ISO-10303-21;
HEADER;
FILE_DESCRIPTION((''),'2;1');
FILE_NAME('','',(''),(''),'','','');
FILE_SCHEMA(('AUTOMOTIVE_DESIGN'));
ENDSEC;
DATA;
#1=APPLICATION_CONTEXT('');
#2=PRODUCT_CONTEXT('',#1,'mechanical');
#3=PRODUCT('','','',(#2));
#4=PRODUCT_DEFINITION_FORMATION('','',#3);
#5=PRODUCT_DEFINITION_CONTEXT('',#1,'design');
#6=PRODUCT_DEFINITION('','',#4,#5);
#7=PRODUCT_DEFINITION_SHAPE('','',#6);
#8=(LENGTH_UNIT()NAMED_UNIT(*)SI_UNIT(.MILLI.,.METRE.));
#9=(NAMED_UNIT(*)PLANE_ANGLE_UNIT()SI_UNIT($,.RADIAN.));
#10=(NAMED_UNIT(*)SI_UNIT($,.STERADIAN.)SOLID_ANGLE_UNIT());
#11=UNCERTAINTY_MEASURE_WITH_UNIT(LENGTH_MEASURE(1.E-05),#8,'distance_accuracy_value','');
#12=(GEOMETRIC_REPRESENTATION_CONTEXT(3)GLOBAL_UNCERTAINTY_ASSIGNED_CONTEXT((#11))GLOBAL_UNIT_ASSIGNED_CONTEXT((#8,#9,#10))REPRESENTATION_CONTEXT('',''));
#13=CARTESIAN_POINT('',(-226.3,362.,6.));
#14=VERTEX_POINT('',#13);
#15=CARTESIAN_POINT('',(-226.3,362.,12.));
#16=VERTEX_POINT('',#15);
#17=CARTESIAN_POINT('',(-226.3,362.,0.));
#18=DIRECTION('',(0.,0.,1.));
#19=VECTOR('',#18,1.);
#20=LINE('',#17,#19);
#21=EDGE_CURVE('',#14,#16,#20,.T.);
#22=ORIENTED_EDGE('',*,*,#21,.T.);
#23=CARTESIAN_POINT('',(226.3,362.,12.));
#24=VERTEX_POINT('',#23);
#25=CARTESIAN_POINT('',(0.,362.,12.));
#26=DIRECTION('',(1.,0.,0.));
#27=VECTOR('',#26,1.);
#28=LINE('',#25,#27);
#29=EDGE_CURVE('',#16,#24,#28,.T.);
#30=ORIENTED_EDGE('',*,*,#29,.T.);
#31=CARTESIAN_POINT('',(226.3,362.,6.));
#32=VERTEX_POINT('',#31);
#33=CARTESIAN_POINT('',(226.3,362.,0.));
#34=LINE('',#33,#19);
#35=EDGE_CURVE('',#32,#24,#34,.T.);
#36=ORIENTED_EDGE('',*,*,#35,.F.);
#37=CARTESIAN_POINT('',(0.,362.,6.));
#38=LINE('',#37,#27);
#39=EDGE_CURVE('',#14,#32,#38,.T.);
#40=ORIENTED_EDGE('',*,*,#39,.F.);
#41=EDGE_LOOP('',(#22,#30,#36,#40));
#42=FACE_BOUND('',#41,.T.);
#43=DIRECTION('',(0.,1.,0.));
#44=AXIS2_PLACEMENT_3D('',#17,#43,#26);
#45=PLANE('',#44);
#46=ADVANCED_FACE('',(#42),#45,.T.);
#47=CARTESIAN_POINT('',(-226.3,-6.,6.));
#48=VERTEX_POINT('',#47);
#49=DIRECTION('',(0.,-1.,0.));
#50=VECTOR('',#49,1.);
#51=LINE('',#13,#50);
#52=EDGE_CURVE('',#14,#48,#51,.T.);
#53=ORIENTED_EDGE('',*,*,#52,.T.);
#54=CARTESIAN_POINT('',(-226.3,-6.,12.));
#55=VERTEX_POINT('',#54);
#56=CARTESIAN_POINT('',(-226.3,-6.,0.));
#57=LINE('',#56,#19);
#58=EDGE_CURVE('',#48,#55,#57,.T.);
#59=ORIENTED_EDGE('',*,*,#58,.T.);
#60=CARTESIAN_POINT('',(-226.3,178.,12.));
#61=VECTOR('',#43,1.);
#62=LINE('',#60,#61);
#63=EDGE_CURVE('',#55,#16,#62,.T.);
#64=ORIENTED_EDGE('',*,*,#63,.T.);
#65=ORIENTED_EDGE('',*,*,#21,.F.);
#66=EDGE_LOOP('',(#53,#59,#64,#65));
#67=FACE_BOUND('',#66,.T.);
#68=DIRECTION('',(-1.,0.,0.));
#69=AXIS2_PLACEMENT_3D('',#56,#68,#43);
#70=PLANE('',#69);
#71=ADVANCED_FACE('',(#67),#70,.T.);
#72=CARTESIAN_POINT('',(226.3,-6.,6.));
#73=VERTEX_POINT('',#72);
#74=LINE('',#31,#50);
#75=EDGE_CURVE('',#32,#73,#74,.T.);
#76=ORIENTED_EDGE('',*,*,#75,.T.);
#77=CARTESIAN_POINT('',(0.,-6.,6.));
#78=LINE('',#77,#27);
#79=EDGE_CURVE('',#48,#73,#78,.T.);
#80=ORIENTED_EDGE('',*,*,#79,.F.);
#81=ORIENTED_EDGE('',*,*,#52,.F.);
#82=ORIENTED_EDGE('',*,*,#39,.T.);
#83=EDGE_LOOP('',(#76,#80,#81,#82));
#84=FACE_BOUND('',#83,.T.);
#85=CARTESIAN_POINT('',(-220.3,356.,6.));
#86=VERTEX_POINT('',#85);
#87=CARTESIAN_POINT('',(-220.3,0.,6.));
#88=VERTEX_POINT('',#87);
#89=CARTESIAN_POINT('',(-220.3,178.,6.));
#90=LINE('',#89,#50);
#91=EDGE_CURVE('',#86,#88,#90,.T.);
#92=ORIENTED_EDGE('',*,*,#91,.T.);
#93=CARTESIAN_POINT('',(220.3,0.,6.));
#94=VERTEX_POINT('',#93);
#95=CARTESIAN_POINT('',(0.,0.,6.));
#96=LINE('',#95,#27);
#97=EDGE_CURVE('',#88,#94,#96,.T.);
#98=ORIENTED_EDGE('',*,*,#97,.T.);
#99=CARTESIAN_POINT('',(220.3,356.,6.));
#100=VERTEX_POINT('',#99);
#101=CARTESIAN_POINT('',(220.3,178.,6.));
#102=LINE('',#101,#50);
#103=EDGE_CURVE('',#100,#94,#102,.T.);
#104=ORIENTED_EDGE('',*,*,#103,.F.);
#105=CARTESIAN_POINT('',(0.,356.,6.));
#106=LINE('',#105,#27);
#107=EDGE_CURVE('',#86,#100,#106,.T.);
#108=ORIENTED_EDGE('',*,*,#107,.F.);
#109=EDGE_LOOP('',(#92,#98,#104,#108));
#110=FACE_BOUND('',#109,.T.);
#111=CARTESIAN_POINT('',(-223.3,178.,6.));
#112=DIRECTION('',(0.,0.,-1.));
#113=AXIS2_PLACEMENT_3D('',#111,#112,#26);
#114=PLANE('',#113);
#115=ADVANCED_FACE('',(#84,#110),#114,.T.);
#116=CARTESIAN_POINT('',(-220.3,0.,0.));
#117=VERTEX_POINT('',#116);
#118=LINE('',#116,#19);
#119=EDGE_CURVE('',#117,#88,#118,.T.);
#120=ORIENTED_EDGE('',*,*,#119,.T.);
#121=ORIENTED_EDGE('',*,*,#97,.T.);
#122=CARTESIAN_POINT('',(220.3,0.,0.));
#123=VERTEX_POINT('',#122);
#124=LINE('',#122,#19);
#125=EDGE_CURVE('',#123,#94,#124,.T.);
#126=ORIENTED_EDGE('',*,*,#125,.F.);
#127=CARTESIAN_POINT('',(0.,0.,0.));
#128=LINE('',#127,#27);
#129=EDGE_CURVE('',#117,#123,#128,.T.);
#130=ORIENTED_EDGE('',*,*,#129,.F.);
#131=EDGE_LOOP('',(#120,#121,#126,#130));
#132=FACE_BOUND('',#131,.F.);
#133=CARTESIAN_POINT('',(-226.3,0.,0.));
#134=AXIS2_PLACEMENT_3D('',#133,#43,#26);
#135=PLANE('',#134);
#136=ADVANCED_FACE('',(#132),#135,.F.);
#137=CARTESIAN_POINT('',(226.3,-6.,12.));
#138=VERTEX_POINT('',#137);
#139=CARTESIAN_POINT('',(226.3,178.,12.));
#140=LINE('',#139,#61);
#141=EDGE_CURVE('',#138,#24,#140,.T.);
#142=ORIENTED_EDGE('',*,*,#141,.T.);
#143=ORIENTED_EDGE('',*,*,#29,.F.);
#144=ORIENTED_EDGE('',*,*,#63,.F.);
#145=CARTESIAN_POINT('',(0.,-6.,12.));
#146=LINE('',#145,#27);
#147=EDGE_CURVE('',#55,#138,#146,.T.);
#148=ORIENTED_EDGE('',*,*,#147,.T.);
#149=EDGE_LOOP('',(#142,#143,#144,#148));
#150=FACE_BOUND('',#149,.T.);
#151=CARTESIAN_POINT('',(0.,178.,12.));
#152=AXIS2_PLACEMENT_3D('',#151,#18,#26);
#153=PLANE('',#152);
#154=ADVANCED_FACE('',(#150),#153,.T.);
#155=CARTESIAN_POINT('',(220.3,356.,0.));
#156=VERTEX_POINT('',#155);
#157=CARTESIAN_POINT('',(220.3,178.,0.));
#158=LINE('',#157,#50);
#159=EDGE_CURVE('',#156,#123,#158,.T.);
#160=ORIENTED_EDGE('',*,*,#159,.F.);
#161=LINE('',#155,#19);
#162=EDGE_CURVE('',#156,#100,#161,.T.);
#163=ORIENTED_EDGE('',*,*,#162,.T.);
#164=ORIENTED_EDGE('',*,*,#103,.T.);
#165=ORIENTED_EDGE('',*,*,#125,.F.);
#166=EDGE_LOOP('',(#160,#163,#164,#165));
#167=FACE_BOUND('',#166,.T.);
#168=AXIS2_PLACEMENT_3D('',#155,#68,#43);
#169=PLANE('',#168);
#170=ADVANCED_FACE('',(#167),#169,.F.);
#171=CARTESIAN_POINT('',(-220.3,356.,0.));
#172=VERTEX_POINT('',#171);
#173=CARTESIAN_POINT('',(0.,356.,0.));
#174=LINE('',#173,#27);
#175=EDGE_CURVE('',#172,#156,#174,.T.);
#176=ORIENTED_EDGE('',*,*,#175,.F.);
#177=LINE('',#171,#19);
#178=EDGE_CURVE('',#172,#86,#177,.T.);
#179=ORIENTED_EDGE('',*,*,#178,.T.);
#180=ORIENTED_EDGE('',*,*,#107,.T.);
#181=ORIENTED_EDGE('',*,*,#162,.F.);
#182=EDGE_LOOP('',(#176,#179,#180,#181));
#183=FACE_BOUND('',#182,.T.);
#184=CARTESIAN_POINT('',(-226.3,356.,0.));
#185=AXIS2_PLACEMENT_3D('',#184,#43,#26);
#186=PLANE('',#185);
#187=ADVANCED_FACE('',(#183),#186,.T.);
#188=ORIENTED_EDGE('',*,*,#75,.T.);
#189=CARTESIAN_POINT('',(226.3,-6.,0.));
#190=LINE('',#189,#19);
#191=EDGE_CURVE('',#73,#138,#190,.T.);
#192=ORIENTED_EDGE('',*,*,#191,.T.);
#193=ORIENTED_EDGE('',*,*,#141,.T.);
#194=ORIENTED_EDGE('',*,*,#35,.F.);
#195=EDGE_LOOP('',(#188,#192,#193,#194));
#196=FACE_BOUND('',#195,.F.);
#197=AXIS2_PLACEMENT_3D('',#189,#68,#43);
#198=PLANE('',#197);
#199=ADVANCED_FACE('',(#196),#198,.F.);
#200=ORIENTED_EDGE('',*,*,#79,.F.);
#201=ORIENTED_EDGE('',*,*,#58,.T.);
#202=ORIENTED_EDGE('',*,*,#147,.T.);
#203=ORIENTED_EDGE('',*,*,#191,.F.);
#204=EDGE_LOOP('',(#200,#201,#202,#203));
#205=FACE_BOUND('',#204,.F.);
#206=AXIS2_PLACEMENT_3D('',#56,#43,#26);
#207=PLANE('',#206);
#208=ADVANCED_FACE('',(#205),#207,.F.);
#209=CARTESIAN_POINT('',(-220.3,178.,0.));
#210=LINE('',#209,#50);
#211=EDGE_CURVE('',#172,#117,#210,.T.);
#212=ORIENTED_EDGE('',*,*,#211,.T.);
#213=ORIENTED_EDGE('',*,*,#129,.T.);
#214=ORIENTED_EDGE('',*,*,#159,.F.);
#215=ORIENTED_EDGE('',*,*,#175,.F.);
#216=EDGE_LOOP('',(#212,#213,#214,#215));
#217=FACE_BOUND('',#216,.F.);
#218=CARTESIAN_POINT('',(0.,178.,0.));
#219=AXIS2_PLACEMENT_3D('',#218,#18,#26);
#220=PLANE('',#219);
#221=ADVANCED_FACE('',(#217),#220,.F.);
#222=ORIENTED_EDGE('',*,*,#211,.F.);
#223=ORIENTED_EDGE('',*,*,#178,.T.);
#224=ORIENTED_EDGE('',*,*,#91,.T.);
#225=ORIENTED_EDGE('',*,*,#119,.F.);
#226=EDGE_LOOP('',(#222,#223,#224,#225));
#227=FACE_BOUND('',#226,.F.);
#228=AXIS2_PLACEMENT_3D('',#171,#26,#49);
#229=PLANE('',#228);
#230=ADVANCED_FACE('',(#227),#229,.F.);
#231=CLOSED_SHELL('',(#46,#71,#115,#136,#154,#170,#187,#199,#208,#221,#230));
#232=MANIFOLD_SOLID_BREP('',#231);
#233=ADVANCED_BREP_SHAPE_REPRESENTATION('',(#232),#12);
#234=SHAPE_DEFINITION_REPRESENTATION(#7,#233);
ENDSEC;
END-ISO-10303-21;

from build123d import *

# Parameters (mm, degrees)
SKETCH072_W     = 452.6
SKETCH072_H     = 368
PAD026_DEPTH    = 12
SKETCH073_W     = 452.6
SKETCH073_H     = 6
POCKET044_DEPTH = 6
SKETCH074_W     = 452.6
SKETCH074_H     = 6
POCKET045_DEPTH = 6
SKETCH075_W     = 6
SKETCH075_H     = 356
POCKET046_DEPTH = 6


with BuildPart() as part:
    # Sketch072 → Pad026 (new body)
    with BuildSketch(Plane.XY):
        with Locations((0, 184)):
            Rectangle(SKETCH072_W, SKETCH072_H)
    extrude(amount=PAD026_DEPTH)

    # Sketch073 (on Face5 of Pad026) → Pocket044 (cut)
    with BuildSketch(Plane(origin=(0, 0, 0), x_dir=(1, 0, 0), z_dir=(0, 0, -1))):
        with Locations((0, -3)):
            Rectangle(SKETCH073_W, SKETCH073_H)
    extrude(amount=-POCKET044_DEPTH, mode=Mode.SUBTRACT)

    # Sketch074 (on Face4 of Pocket044) → Pocket045 (cut)
    with BuildSketch(Plane(origin=(0, 0, 0), x_dir=(1, 0, 0), z_dir=(0, 0, -1))):
        with Locations((0, -365)):
            Rectangle(SKETCH074_W, SKETCH074_H)
    extrude(amount=-POCKET045_DEPTH, mode=Mode.SUBTRACT)

    # Sketch075 (on Face7 of Pocket045) → Pocket046 (cut)
    with BuildSketch(Plane(origin=(0, 0, 0), x_dir=(1, 0, 0), z_dir=(0, 0, -1))):
        with Locations((-223.3, -184)):
            Rectangle(SKETCH075_W, SKETCH075_H)
    pocket046 = extrude(amount=-POCKET046_DEPTH, mode=Mode.SUBTRACT)

    # Mirrored017: Pocket046 across Sketch075 V_Axis
    add(pocket046.mirror(Plane(origin=(0, 0, 0), x_dir=(0, 0, -1), z_dir=(1, 0, 0))), mode=Mode.SUBTRACT)


with BuildPart() as part_1:
    # Body025 placement: moved
    add(part.part.moved(Location((0, -6, 0))))


solid = part_1.part
